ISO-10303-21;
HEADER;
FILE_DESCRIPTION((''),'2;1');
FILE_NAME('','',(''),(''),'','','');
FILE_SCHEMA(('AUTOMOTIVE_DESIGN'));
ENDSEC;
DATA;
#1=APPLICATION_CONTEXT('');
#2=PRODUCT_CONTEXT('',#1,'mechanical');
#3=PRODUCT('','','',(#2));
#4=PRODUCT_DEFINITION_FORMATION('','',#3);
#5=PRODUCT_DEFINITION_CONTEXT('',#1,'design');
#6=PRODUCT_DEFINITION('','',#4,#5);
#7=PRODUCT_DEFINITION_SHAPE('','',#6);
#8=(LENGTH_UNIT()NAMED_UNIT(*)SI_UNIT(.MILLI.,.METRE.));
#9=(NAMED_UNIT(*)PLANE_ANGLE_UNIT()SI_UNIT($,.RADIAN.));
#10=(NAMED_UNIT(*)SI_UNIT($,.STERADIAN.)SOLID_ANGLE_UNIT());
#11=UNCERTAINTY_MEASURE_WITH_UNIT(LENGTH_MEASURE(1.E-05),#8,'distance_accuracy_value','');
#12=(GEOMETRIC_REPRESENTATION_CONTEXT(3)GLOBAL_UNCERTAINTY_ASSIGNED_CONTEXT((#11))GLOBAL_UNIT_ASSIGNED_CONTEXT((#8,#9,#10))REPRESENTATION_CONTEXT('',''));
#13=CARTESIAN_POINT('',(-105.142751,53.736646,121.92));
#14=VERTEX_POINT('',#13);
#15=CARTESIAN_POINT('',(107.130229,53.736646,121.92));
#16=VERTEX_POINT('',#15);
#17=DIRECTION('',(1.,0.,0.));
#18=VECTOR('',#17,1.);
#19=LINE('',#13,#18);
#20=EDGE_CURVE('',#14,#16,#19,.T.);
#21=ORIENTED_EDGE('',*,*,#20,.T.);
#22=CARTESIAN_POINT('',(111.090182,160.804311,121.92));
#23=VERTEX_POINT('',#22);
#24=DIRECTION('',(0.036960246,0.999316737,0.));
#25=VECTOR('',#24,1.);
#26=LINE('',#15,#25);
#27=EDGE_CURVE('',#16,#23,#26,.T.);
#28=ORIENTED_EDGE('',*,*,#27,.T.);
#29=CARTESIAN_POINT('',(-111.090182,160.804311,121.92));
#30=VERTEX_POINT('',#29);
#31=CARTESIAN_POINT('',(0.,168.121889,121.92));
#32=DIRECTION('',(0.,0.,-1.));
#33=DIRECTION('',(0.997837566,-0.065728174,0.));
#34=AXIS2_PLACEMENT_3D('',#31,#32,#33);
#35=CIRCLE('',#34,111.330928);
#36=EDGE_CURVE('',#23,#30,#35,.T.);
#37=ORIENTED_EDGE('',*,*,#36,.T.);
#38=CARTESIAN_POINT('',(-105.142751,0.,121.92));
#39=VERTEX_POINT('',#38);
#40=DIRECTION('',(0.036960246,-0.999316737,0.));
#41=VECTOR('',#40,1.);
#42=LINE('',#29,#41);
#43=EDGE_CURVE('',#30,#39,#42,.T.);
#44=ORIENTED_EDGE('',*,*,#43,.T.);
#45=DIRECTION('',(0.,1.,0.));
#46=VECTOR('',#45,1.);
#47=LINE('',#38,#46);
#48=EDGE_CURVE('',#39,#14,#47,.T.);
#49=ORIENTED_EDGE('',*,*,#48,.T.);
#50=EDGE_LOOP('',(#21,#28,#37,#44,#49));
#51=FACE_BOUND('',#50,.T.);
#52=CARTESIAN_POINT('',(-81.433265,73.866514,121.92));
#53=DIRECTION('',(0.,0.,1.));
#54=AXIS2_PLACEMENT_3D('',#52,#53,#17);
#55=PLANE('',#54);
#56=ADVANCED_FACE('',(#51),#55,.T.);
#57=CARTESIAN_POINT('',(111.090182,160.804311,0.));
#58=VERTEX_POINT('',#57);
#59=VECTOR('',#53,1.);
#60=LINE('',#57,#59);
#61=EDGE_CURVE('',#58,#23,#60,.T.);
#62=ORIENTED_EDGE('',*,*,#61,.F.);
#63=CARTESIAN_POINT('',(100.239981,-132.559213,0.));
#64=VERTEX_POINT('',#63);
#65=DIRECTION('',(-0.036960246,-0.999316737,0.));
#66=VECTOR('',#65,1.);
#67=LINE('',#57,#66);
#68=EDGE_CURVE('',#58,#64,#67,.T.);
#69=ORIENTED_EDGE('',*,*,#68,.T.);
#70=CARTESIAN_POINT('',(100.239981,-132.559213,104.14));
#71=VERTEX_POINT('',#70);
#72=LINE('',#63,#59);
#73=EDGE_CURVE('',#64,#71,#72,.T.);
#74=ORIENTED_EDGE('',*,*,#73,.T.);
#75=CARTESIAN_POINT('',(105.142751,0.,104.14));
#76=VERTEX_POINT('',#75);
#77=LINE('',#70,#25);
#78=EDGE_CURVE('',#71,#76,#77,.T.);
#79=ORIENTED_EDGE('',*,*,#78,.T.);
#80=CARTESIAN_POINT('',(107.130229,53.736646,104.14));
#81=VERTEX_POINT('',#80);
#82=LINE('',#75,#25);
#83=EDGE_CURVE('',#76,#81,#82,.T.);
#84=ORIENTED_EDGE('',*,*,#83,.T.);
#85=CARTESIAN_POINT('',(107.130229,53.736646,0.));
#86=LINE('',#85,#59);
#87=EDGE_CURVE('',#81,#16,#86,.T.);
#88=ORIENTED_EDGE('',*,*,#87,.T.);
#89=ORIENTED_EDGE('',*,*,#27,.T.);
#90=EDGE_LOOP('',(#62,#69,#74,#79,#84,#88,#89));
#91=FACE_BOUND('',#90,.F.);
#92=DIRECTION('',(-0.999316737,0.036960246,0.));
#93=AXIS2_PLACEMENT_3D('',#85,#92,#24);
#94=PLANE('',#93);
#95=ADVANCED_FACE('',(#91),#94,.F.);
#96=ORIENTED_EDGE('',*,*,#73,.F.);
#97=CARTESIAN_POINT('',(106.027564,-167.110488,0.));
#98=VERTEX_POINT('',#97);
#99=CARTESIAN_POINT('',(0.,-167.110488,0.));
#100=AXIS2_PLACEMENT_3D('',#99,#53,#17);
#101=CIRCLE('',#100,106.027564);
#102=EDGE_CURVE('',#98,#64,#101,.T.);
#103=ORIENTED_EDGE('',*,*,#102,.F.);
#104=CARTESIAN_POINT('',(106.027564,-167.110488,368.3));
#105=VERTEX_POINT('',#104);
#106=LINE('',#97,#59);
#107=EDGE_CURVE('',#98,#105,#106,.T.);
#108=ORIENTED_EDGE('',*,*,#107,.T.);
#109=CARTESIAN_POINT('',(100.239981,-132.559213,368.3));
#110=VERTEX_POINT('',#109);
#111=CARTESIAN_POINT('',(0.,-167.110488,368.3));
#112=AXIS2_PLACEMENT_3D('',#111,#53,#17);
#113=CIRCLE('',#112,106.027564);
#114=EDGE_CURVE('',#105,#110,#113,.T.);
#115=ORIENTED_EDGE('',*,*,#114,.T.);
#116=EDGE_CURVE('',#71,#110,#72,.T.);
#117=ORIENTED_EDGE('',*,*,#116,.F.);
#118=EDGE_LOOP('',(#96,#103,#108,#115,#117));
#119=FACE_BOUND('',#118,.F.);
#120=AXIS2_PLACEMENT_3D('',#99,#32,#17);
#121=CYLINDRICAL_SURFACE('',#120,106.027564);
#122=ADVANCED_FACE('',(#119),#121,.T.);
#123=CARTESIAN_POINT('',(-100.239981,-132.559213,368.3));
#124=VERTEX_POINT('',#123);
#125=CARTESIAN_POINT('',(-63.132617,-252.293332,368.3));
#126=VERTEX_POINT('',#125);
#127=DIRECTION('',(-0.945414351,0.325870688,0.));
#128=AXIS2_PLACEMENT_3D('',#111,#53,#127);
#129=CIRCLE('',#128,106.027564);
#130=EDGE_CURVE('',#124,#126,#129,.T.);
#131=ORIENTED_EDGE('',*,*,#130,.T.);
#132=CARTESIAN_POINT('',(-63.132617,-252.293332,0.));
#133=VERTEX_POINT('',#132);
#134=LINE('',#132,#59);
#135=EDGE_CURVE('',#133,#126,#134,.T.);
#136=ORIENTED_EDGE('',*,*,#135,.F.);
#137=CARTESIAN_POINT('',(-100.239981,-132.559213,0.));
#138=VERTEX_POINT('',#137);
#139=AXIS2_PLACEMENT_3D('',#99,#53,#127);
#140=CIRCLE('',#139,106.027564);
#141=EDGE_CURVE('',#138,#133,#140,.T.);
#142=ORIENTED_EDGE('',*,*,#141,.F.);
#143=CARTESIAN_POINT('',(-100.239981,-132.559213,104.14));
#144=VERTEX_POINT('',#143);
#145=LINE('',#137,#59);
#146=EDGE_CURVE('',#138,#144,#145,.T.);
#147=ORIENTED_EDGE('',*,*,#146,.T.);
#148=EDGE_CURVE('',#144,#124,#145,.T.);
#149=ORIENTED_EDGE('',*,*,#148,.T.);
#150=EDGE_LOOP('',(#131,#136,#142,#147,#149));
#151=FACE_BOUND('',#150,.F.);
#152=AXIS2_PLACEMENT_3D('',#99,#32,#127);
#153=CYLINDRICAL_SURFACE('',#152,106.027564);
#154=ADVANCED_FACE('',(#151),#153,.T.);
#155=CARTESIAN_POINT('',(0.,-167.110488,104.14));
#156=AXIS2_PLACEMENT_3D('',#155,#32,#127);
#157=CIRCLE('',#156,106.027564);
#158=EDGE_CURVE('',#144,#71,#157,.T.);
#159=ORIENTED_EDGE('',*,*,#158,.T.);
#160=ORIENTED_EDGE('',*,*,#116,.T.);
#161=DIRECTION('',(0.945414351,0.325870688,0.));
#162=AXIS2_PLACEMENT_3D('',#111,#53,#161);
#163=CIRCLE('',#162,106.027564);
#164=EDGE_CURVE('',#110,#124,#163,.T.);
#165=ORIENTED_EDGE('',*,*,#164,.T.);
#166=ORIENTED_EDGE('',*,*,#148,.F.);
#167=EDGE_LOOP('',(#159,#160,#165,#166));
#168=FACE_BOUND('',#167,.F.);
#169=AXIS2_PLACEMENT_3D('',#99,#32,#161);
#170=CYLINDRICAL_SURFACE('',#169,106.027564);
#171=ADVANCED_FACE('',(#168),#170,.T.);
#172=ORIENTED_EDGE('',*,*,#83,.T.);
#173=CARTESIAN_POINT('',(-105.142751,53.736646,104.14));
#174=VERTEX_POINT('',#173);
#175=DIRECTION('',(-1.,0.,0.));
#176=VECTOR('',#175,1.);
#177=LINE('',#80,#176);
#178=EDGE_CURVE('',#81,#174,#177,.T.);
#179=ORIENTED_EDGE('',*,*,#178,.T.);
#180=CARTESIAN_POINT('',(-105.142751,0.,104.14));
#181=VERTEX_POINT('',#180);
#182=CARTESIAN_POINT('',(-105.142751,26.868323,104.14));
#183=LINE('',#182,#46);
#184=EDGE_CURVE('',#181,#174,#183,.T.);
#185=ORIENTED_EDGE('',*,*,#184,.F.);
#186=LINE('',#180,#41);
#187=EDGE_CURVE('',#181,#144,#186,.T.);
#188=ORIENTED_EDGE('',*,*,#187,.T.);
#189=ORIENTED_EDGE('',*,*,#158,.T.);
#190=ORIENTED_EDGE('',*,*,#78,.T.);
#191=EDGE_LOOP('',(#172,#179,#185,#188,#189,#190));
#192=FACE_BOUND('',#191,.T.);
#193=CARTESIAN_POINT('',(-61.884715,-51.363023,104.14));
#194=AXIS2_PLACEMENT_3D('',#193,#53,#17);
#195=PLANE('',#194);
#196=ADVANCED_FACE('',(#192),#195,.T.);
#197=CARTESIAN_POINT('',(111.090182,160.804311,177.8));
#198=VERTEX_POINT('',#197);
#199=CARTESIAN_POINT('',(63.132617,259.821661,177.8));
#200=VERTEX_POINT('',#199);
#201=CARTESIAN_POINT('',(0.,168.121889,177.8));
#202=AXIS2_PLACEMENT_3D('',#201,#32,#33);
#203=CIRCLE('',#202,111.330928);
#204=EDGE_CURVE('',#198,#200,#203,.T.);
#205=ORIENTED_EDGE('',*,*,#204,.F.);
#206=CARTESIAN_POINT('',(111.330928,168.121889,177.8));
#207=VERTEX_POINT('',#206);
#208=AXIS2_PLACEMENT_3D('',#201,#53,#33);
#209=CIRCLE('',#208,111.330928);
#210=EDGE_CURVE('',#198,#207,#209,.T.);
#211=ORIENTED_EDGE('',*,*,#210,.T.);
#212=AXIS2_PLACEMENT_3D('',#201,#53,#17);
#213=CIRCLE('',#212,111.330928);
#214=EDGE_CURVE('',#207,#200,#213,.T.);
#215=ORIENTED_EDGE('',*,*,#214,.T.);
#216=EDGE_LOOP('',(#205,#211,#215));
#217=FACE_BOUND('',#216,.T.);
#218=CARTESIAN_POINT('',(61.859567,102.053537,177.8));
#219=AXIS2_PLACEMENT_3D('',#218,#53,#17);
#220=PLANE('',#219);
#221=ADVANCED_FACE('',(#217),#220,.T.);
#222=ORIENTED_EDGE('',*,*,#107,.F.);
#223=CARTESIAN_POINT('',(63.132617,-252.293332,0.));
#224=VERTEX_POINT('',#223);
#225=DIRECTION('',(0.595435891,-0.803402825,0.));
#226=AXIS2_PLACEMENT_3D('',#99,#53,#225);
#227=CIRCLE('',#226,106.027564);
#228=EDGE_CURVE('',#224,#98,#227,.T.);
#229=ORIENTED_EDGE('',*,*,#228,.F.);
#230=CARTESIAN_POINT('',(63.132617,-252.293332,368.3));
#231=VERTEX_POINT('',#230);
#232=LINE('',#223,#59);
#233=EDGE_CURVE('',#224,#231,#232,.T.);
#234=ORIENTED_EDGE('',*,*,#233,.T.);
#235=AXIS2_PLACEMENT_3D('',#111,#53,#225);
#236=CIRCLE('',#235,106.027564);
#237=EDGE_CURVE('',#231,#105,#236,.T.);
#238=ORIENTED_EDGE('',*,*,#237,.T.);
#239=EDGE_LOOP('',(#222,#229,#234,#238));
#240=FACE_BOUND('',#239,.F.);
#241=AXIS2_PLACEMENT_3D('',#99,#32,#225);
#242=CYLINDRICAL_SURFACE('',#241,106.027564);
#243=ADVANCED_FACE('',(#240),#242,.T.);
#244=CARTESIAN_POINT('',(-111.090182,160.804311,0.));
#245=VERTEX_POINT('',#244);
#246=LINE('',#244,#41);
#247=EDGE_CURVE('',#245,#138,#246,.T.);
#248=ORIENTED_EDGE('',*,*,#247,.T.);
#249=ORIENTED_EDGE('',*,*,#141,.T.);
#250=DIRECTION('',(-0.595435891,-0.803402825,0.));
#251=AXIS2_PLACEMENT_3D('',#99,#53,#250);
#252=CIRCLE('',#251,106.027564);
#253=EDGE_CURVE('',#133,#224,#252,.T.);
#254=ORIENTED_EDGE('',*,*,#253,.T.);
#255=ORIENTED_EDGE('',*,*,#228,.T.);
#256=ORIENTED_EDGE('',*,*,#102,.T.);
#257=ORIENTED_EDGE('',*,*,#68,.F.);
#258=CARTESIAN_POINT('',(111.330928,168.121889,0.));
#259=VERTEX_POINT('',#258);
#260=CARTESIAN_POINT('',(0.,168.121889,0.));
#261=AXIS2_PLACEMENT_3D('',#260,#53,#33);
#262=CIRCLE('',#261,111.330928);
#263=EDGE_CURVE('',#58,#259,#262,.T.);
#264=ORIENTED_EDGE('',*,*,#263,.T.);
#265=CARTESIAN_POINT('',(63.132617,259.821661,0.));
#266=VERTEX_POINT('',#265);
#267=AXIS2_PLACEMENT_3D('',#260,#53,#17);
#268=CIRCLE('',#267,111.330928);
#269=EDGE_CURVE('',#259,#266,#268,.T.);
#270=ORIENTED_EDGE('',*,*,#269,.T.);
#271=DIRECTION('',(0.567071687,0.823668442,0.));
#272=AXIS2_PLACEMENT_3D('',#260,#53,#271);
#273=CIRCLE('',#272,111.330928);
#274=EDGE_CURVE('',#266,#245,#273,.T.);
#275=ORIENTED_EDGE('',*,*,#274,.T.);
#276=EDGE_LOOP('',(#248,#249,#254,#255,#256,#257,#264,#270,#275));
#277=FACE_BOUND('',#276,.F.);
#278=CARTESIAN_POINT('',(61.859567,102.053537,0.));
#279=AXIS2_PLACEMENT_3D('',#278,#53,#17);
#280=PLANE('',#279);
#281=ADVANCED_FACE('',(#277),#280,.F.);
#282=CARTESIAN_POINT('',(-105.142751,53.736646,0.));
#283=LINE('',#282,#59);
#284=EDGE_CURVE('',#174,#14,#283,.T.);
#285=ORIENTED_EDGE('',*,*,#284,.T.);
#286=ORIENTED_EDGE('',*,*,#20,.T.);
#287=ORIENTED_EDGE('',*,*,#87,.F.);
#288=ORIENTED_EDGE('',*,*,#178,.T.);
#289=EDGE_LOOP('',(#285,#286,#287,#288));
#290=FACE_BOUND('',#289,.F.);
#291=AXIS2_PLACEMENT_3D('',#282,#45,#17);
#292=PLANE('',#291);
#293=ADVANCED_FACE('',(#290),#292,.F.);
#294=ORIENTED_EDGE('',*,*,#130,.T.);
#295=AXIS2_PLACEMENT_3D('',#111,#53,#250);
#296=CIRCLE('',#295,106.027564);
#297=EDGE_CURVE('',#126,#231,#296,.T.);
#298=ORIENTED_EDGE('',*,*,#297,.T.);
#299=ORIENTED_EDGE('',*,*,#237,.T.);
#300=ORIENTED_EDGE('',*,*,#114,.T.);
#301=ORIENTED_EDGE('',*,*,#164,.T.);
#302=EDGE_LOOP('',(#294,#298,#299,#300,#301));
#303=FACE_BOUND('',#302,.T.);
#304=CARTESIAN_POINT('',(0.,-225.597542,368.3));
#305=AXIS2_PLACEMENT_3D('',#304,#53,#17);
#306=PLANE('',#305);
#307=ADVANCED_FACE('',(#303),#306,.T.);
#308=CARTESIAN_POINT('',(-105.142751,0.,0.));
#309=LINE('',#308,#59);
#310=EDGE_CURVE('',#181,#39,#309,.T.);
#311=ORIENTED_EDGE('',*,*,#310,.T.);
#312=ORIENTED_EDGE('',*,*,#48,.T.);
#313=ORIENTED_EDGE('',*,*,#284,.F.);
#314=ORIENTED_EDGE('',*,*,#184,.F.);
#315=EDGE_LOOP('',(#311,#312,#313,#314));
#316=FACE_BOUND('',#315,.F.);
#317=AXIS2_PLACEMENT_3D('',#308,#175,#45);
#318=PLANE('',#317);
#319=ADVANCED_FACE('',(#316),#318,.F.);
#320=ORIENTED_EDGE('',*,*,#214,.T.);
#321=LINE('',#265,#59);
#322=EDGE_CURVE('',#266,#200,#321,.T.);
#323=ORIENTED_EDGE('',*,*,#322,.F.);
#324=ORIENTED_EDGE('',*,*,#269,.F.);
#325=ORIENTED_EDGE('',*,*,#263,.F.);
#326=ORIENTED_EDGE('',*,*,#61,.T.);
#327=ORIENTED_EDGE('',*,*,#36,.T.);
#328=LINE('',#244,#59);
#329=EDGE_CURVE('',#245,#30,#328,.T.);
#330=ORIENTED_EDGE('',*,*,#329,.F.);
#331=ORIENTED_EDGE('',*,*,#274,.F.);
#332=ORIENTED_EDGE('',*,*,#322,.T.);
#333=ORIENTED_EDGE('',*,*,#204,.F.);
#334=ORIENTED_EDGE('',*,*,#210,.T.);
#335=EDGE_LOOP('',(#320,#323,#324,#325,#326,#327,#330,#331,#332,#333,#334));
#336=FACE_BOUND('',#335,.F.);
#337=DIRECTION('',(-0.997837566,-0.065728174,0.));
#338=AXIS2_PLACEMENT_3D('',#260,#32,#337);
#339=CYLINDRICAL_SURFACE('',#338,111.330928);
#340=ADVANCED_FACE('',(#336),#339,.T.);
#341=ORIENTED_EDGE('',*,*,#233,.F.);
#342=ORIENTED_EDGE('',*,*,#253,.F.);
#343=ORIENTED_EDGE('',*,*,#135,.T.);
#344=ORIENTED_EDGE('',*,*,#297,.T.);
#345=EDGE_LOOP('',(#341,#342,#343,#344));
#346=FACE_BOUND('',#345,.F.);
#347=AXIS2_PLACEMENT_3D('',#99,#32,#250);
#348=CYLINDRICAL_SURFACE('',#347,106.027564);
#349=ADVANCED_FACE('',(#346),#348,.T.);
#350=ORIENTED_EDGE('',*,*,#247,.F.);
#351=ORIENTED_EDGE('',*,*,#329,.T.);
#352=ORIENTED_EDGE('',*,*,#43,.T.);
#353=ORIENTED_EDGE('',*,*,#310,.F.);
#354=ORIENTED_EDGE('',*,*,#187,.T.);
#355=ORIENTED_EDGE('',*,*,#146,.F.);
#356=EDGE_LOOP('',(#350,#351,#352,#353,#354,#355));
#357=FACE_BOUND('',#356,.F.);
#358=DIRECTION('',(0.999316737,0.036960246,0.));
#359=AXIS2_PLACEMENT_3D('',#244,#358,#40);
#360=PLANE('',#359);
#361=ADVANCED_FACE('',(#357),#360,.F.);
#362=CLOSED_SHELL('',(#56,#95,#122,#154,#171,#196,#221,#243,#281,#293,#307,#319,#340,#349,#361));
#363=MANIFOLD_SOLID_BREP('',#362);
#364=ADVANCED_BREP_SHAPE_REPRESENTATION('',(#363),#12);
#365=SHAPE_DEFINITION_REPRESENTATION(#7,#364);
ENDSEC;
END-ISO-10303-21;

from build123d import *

# Parameters (mm, degrees)
F1_DEPTH = 368.3
F0_W     = 105.1427514449
F0_H     = 53.7366458577
F2_DEPTH = 104.14
F3_DEPTH = 121.92
F4_DEPTH = 177.8


with BuildPart() as f1:
    # F0 (on Top) → F1 (new body)
    with BuildSketch(Plane.XY):
        Polygon((0, -167.1104878187), (-63.1326169969, -252.2933322156), (63.1326169969, -252.2933322156), align=None)
        with BuildLine():
            ThreePointArc((106.0275639087, -167.1104878187), (104.5706585234, -149.5941615946), (100.2399805091, -132.5592126476))
            Line((100.2399805091, -132.5592126476), (0, -132.5592126476))
            Line((0, -132.5592126476), (0, -167.1104878187))
            Line((0, -167.1104878187), (63.1326169969, -252.2933322156))
            ThreePointArc((63.1326169969, -252.2933322156), (94.6985794291, -214.797208848), (106.0275639087, -167.1104878187))
        make_face()
        with BuildLine():
            Line((0, -132.5592126476), (-100.2399805091, -132.5592126476))
            ThreePointArc((-100.2399805091, -132.5592126476), (-101.275447425, -198.4972375273), (-63.1326169969, -252.2933322156))
            Line((-63.1326169969, -252.2933322156), (0, -167.1104878187))
            Line((0, -167.1104878187), (0, -132.5592126476))
        make_face()
        Polygon((0, -61.08292391), (-100.2399805091, -132.5592126476), (0, -132.5592126476), align=None)
        Polygon((0, -132.5592126476), (100.2399805091, -132.5592126476), (0, -61.08292391), align=None)
        with BuildLine():
            Line((63.1326169969, -252.2933322156), (-63.1326169969, -252.2933322156))
            ThreePointArc((-63.1326169969, -252.2933322156), (0, -273.1380517274), (63.1326169969, -252.2933322156))
        make_face()
        with BuildLine():
            ThreePointArc((0, -61.08292391), (-61.5567087005, -80.7819530091), (-100.2399805091, -132.5592126476))
            Line((-100.2399805091, -132.5592126476), (0, -61.08292391))
        make_face()
        with BuildLine():
            Line((0, -61.08292391), (100.2399805091, -132.5592126476))
            ThreePointArc((100.2399805091, -132.5592126476), (61.5567087005, -80.7819530091), (0, -61.08292391))
        make_face()
    extrude(amount=F1_DEPTH)

    # F0 (on Top) → F2 (join)
    with BuildSketch(Plane.XY):
        with BuildLine():
            Line((0, 0), (-105.1427514449, 0))
            Line((-105.1427514449, 0), (-100.2399805091, -132.5592126476))
            ThreePointArc((-100.2399805091, -132.5592126476), (-61.5567087005, -80.7819530091), (0, -61.08292391))
            Line((0, -61.08292391), (0, 0))
        make_face()
        with BuildLine():
            Line((100.2399805091, -132.5592126476), (105.1427514449, 0))
            Line((105.1427514449, 0), (0, 0))
            Line((0, 0), (0, -61.08292391))
            ThreePointArc((0, -61.08292391), (61.5567087005, -80.7819530091), (100.2399805091, -132.5592126476))
        make_face()
        Polygon((105.1427514449, 0), (107.1302290426, 53.7366458577), (0, 53.7366458577), (0, 0), align=None)
        with Locations((-52.5713757225, 26.8683229289)):
            Rectangle(F0_W, F0_H)
    extrude(amount=F2_DEPTH)

    # F0 (on Top) → F3 (join)
    with BuildSketch(Plane.XY):
        with BuildLine():
            Line((0, 53.7366458577), (0, 56.7909614803))
            ThreePointArc((0, 56.7909614803), (-76.0917297258, 86.8530505453), (-111.0901819179, 160.8043106819))
            Line((-111.0901819179, 160.8043106819), (-105.1427514449, 0))
            Line((-105.1427514449, 0), (-105.1427514449, 53.7366458577))
            Line((-105.1427514449, 53.7366458577), (0, 53.7366458577))
        make_face()
        with BuildLine():
            Line((107.1302290426, 53.7366458577), (111.0901819179, 160.8043106819))
            ThreePointArc((111.0901819179, 160.8043106819), (76.0917297258, 86.8530505453), (0, 56.7909614803))
            Line((0, 56.7909614803), (0, 53.7366458577))
            Line((0, 53.7366458577), (107.1302290426, 53.7366458577))
        make_face()
    extrude(amount=F3_DEPTH)

    # F0 (on Top) → F4 (join)
    with BuildSketch(Plane.XY):
        with BuildLine():
            ThreePointArc((0, 56.7909614803), (76.0917297258, 86.8530505453), (111.0901819179, 160.8043106819))
            Line((111.0901819179, 160.8043106819), (0, 56.7909614803))
        make_face()
        Polygon((0, 56.7909614803), (111.0901819179, 160.8043106819), (0, 160.8043106819), align=None)
        with BuildLine():
            ThreePointArc((-111.0901819179, 160.8043106819), (-76.0917297258, 86.8530505453), (0, 56.7909614803))
            Line((0, 56.7909614803), (-111.0901819179, 160.8043106819))
        make_face()
        with BuildLine():
            Line((0, 168.1218892336), (-63.1326169969, 259.8216610192))
            ThreePointArc((-63.1326169969, 259.8216610192), (-100.1973294673, 216.6509593053), (-111.0901819179, 160.8043106819))
            Line((-111.0901819179, 160.8043106819), (0, 160.8043106819))
            Line((0, 160.8043106819), (0, 168.1218892336))
        make_face()
        Polygon((-111.0901819179, 160.8043106819), (0, 56.7909614803), (0, 160.8043106819), align=None)
        with BuildLine():
            Line((-63.1326169969, 259.8216610192), (63.1326169969, 259.8216610192))
            ThreePointArc((63.1326169969, 259.8216610192), (0, 279.4528169869), (-63.1326169969, 259.8216610192))
        make_face()
        with BuildLine():
            ThreePointArc((111.0901819179, 160.8043106819), (111.270725017, 164.4611203793), (111.3309277533, 168.1218892336))
            ThreePointArc((111.3309277533, 168.1218892336), (98.5474208089, 219.9193923233), (63.1326169969, 259.8216610192))
            Line((63.1326169969, 259.8216610192), (0, 168.1218892336))
            Line((0, 168.1218892336), (0, 160.8043106819))
            Line((0, 160.8043106819), (111.0901819179, 160.8043106819))
        make_face()
        Polygon((0, 168.1218892336), (63.1326169969, 259.8216610192), (-63.1326169969, 259.8216610192), align=None)
    extrude(amount=F4_DEPTH)


solid = f1.part
